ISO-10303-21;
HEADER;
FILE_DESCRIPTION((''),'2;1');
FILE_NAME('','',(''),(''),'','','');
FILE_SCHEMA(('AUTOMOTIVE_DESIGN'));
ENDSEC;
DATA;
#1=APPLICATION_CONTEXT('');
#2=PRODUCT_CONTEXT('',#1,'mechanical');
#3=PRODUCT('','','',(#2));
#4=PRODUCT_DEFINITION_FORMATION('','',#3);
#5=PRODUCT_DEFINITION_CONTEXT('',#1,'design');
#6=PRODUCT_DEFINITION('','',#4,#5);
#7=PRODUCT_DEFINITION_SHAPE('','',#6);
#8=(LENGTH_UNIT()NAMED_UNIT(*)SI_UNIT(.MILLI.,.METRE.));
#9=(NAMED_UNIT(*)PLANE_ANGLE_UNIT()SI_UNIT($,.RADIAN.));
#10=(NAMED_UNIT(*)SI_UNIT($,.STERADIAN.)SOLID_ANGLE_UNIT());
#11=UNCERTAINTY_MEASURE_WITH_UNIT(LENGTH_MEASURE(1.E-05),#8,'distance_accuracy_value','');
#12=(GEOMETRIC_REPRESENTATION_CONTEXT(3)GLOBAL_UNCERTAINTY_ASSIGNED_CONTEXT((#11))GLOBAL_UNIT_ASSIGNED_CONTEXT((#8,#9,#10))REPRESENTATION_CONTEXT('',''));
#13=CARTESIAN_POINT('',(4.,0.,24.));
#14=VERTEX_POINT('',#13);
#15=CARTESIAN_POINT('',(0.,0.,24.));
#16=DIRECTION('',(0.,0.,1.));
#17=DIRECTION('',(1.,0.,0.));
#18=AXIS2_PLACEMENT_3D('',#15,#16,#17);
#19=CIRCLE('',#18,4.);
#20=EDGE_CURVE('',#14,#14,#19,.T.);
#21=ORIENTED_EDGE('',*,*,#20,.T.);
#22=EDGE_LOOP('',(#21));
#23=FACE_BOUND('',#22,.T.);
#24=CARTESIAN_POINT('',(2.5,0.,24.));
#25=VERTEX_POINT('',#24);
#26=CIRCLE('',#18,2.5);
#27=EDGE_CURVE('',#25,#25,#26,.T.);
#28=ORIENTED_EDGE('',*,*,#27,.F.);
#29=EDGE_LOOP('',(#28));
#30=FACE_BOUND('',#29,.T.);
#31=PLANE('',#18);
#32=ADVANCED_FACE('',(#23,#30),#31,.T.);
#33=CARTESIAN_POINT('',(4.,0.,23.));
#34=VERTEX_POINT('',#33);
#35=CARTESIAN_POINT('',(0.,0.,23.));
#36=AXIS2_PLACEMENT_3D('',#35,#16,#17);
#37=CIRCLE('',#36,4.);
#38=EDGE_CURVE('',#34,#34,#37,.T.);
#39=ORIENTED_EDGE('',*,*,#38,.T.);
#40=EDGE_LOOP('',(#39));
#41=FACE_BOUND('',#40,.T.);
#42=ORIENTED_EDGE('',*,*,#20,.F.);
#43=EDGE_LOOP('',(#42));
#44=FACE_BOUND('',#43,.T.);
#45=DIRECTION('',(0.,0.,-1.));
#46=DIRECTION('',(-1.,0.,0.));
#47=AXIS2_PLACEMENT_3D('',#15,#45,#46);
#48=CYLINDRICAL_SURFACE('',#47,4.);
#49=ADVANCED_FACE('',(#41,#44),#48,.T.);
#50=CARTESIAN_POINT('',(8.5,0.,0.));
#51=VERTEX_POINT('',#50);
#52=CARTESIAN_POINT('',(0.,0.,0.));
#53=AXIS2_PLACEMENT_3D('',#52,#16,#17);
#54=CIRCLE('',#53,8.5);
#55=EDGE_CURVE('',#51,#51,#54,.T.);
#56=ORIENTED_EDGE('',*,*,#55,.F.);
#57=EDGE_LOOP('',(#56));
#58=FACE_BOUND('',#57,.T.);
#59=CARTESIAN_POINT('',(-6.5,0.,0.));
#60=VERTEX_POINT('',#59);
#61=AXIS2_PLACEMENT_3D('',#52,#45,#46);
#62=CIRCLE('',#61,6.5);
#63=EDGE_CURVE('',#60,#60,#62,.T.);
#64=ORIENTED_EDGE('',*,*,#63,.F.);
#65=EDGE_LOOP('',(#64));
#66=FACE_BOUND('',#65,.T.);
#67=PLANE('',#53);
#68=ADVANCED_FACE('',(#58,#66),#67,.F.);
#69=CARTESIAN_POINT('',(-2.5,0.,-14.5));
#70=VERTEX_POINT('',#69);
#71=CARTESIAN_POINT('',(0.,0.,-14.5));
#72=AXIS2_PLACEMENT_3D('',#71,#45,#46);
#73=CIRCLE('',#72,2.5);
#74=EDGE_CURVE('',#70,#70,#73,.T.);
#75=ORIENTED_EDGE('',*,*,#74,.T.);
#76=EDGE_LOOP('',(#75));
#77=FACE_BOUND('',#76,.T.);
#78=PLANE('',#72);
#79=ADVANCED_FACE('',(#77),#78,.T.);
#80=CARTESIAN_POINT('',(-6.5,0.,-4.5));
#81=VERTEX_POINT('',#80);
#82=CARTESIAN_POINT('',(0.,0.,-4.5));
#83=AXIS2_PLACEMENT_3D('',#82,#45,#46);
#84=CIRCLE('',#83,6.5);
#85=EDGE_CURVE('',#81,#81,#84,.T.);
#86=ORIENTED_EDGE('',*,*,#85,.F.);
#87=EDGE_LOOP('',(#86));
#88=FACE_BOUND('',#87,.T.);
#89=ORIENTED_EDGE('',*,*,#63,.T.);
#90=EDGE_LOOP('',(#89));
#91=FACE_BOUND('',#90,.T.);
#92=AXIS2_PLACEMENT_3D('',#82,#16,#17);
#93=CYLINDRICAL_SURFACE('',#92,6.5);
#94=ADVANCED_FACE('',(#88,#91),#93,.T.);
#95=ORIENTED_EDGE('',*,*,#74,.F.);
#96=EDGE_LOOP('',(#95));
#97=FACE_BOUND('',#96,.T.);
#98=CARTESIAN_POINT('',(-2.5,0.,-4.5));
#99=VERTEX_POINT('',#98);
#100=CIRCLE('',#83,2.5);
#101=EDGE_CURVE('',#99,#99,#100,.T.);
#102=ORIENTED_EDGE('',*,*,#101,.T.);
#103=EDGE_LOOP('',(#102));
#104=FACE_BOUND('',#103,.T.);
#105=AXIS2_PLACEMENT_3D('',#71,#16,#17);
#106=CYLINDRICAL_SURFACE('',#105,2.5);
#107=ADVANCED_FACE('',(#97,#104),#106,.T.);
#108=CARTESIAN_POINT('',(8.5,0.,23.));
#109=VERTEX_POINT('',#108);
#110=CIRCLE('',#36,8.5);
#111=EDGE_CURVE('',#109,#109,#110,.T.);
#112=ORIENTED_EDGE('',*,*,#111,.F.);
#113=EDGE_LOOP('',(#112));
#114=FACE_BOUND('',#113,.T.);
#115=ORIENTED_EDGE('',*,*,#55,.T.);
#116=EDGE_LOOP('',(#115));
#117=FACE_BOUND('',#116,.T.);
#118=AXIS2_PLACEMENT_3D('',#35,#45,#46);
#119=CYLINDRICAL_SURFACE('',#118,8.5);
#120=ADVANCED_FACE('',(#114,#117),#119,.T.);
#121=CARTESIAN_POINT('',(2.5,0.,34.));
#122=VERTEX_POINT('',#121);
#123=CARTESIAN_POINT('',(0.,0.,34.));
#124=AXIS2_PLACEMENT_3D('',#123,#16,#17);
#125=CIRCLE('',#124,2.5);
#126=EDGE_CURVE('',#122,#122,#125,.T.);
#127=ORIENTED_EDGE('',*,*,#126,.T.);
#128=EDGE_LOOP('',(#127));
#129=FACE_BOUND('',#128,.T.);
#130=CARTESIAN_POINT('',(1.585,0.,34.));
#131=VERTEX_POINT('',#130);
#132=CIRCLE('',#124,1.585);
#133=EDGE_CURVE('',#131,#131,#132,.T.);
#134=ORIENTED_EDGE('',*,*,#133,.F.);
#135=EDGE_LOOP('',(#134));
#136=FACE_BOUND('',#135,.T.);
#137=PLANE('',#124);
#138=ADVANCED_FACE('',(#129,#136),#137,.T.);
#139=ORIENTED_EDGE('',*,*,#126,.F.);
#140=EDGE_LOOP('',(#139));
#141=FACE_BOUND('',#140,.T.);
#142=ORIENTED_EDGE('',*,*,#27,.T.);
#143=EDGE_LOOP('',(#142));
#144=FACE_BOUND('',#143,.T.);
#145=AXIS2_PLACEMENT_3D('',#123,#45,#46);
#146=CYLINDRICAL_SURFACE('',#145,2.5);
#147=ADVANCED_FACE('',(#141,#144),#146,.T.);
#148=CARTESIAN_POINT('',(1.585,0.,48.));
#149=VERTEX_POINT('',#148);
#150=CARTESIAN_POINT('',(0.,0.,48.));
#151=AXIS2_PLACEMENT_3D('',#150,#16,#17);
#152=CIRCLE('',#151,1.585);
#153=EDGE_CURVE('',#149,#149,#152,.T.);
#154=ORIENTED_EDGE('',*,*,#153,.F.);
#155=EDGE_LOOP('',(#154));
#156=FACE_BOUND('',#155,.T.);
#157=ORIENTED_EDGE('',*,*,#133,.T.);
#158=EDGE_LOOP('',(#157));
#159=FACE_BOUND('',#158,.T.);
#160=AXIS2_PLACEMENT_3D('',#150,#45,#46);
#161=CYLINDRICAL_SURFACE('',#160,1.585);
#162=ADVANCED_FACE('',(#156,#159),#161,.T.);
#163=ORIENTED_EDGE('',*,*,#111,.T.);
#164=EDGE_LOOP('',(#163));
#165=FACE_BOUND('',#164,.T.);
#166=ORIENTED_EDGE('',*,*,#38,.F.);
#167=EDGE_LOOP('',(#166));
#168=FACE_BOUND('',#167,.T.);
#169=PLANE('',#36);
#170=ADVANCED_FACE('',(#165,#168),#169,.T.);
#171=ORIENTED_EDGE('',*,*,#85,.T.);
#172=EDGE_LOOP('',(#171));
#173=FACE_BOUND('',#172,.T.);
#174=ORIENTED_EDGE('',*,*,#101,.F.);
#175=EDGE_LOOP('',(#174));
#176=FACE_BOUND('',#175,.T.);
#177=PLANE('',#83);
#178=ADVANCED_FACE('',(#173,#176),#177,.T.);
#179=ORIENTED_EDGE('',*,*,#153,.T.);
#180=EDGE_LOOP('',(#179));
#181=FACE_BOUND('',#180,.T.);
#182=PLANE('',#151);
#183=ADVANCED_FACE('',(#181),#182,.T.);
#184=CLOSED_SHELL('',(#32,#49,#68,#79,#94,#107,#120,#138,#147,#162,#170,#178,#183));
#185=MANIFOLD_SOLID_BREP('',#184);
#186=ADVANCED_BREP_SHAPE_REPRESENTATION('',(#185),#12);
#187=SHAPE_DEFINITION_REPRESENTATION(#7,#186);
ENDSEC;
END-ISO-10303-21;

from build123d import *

# Parameters (mm, degrees)
SKETCH1_R           = 8.5
BOSS_EXTRUDE1_DEPTH = 23
SKETCH2_R           = 4
BOSS_EXTRUDE2_DEPTH = 1
SKETCH3_R           = 2.5
BOSS_EXTRUDE3_DEPTH = 10
SKETCH4_R           = 6.5
BOSS_EXTRUDE4_DEPTH = 4.5
BOSS_EXTRUDE5_START = 10
SKETCH5_R           = 2.5
BOSS_EXTRUDE5_DEPTH = 10
SKETCH7_R           = 1.585
BOSS_EXTRUDE6_DEPTH = 14


with BuildPart() as part:
    # Sketch1 → Boss-Extrude1 (new body)
    with BuildSketch(Plane.XY):
        Circle(SKETCH1_R)
    extrude(amount=BOSS_EXTRUDE1_DEPTH)

    # Sketch2 → Boss-Extrude2 (add)
    with BuildSketch(Plane.XY.offset(23)):
        Circle(SKETCH2_R)
    extrude(amount=BOSS_EXTRUDE2_DEPTH)

    # Sketch3 → Boss-Extrude3 (add)
    with BuildSketch(Plane.XY.offset(24)):
        Circle(SKETCH3_R)
    extrude(amount=BOSS_EXTRUDE3_DEPTH)

    # Sketch4 → Boss-Extrude4 (add)
    with BuildSketch(Plane(origin=(0, 0, 0), x_dir=(-1, 0, 0), z_dir=(0, 0, -1))):
        Circle(SKETCH4_R)
    extrude(amount=BOSS_EXTRUDE4_DEPTH)

    # Sketch5 → Boss-Extrude5 (add)
    with BuildSketch(Plane(origin=(0, 0, -4.5), x_dir=(-1, 0, 0), z_dir=(0, 0, -1)).offset(BOSS_EXTRUDE5_START)):
        with Locations(Location((0, 0, 0), (0, 0, 180))):
            Circle(SKETCH5_R)
    extrude(amount=-BOSS_EXTRUDE5_DEPTH)

    # Sketch7 → Boss-Extrude6 (add)
    with BuildSketch(Plane.XY.offset(34)):
        Circle(SKETCH7_R)
    extrude(amount=BOSS_EXTRUDE6_DEPTH)


solid = part.part
